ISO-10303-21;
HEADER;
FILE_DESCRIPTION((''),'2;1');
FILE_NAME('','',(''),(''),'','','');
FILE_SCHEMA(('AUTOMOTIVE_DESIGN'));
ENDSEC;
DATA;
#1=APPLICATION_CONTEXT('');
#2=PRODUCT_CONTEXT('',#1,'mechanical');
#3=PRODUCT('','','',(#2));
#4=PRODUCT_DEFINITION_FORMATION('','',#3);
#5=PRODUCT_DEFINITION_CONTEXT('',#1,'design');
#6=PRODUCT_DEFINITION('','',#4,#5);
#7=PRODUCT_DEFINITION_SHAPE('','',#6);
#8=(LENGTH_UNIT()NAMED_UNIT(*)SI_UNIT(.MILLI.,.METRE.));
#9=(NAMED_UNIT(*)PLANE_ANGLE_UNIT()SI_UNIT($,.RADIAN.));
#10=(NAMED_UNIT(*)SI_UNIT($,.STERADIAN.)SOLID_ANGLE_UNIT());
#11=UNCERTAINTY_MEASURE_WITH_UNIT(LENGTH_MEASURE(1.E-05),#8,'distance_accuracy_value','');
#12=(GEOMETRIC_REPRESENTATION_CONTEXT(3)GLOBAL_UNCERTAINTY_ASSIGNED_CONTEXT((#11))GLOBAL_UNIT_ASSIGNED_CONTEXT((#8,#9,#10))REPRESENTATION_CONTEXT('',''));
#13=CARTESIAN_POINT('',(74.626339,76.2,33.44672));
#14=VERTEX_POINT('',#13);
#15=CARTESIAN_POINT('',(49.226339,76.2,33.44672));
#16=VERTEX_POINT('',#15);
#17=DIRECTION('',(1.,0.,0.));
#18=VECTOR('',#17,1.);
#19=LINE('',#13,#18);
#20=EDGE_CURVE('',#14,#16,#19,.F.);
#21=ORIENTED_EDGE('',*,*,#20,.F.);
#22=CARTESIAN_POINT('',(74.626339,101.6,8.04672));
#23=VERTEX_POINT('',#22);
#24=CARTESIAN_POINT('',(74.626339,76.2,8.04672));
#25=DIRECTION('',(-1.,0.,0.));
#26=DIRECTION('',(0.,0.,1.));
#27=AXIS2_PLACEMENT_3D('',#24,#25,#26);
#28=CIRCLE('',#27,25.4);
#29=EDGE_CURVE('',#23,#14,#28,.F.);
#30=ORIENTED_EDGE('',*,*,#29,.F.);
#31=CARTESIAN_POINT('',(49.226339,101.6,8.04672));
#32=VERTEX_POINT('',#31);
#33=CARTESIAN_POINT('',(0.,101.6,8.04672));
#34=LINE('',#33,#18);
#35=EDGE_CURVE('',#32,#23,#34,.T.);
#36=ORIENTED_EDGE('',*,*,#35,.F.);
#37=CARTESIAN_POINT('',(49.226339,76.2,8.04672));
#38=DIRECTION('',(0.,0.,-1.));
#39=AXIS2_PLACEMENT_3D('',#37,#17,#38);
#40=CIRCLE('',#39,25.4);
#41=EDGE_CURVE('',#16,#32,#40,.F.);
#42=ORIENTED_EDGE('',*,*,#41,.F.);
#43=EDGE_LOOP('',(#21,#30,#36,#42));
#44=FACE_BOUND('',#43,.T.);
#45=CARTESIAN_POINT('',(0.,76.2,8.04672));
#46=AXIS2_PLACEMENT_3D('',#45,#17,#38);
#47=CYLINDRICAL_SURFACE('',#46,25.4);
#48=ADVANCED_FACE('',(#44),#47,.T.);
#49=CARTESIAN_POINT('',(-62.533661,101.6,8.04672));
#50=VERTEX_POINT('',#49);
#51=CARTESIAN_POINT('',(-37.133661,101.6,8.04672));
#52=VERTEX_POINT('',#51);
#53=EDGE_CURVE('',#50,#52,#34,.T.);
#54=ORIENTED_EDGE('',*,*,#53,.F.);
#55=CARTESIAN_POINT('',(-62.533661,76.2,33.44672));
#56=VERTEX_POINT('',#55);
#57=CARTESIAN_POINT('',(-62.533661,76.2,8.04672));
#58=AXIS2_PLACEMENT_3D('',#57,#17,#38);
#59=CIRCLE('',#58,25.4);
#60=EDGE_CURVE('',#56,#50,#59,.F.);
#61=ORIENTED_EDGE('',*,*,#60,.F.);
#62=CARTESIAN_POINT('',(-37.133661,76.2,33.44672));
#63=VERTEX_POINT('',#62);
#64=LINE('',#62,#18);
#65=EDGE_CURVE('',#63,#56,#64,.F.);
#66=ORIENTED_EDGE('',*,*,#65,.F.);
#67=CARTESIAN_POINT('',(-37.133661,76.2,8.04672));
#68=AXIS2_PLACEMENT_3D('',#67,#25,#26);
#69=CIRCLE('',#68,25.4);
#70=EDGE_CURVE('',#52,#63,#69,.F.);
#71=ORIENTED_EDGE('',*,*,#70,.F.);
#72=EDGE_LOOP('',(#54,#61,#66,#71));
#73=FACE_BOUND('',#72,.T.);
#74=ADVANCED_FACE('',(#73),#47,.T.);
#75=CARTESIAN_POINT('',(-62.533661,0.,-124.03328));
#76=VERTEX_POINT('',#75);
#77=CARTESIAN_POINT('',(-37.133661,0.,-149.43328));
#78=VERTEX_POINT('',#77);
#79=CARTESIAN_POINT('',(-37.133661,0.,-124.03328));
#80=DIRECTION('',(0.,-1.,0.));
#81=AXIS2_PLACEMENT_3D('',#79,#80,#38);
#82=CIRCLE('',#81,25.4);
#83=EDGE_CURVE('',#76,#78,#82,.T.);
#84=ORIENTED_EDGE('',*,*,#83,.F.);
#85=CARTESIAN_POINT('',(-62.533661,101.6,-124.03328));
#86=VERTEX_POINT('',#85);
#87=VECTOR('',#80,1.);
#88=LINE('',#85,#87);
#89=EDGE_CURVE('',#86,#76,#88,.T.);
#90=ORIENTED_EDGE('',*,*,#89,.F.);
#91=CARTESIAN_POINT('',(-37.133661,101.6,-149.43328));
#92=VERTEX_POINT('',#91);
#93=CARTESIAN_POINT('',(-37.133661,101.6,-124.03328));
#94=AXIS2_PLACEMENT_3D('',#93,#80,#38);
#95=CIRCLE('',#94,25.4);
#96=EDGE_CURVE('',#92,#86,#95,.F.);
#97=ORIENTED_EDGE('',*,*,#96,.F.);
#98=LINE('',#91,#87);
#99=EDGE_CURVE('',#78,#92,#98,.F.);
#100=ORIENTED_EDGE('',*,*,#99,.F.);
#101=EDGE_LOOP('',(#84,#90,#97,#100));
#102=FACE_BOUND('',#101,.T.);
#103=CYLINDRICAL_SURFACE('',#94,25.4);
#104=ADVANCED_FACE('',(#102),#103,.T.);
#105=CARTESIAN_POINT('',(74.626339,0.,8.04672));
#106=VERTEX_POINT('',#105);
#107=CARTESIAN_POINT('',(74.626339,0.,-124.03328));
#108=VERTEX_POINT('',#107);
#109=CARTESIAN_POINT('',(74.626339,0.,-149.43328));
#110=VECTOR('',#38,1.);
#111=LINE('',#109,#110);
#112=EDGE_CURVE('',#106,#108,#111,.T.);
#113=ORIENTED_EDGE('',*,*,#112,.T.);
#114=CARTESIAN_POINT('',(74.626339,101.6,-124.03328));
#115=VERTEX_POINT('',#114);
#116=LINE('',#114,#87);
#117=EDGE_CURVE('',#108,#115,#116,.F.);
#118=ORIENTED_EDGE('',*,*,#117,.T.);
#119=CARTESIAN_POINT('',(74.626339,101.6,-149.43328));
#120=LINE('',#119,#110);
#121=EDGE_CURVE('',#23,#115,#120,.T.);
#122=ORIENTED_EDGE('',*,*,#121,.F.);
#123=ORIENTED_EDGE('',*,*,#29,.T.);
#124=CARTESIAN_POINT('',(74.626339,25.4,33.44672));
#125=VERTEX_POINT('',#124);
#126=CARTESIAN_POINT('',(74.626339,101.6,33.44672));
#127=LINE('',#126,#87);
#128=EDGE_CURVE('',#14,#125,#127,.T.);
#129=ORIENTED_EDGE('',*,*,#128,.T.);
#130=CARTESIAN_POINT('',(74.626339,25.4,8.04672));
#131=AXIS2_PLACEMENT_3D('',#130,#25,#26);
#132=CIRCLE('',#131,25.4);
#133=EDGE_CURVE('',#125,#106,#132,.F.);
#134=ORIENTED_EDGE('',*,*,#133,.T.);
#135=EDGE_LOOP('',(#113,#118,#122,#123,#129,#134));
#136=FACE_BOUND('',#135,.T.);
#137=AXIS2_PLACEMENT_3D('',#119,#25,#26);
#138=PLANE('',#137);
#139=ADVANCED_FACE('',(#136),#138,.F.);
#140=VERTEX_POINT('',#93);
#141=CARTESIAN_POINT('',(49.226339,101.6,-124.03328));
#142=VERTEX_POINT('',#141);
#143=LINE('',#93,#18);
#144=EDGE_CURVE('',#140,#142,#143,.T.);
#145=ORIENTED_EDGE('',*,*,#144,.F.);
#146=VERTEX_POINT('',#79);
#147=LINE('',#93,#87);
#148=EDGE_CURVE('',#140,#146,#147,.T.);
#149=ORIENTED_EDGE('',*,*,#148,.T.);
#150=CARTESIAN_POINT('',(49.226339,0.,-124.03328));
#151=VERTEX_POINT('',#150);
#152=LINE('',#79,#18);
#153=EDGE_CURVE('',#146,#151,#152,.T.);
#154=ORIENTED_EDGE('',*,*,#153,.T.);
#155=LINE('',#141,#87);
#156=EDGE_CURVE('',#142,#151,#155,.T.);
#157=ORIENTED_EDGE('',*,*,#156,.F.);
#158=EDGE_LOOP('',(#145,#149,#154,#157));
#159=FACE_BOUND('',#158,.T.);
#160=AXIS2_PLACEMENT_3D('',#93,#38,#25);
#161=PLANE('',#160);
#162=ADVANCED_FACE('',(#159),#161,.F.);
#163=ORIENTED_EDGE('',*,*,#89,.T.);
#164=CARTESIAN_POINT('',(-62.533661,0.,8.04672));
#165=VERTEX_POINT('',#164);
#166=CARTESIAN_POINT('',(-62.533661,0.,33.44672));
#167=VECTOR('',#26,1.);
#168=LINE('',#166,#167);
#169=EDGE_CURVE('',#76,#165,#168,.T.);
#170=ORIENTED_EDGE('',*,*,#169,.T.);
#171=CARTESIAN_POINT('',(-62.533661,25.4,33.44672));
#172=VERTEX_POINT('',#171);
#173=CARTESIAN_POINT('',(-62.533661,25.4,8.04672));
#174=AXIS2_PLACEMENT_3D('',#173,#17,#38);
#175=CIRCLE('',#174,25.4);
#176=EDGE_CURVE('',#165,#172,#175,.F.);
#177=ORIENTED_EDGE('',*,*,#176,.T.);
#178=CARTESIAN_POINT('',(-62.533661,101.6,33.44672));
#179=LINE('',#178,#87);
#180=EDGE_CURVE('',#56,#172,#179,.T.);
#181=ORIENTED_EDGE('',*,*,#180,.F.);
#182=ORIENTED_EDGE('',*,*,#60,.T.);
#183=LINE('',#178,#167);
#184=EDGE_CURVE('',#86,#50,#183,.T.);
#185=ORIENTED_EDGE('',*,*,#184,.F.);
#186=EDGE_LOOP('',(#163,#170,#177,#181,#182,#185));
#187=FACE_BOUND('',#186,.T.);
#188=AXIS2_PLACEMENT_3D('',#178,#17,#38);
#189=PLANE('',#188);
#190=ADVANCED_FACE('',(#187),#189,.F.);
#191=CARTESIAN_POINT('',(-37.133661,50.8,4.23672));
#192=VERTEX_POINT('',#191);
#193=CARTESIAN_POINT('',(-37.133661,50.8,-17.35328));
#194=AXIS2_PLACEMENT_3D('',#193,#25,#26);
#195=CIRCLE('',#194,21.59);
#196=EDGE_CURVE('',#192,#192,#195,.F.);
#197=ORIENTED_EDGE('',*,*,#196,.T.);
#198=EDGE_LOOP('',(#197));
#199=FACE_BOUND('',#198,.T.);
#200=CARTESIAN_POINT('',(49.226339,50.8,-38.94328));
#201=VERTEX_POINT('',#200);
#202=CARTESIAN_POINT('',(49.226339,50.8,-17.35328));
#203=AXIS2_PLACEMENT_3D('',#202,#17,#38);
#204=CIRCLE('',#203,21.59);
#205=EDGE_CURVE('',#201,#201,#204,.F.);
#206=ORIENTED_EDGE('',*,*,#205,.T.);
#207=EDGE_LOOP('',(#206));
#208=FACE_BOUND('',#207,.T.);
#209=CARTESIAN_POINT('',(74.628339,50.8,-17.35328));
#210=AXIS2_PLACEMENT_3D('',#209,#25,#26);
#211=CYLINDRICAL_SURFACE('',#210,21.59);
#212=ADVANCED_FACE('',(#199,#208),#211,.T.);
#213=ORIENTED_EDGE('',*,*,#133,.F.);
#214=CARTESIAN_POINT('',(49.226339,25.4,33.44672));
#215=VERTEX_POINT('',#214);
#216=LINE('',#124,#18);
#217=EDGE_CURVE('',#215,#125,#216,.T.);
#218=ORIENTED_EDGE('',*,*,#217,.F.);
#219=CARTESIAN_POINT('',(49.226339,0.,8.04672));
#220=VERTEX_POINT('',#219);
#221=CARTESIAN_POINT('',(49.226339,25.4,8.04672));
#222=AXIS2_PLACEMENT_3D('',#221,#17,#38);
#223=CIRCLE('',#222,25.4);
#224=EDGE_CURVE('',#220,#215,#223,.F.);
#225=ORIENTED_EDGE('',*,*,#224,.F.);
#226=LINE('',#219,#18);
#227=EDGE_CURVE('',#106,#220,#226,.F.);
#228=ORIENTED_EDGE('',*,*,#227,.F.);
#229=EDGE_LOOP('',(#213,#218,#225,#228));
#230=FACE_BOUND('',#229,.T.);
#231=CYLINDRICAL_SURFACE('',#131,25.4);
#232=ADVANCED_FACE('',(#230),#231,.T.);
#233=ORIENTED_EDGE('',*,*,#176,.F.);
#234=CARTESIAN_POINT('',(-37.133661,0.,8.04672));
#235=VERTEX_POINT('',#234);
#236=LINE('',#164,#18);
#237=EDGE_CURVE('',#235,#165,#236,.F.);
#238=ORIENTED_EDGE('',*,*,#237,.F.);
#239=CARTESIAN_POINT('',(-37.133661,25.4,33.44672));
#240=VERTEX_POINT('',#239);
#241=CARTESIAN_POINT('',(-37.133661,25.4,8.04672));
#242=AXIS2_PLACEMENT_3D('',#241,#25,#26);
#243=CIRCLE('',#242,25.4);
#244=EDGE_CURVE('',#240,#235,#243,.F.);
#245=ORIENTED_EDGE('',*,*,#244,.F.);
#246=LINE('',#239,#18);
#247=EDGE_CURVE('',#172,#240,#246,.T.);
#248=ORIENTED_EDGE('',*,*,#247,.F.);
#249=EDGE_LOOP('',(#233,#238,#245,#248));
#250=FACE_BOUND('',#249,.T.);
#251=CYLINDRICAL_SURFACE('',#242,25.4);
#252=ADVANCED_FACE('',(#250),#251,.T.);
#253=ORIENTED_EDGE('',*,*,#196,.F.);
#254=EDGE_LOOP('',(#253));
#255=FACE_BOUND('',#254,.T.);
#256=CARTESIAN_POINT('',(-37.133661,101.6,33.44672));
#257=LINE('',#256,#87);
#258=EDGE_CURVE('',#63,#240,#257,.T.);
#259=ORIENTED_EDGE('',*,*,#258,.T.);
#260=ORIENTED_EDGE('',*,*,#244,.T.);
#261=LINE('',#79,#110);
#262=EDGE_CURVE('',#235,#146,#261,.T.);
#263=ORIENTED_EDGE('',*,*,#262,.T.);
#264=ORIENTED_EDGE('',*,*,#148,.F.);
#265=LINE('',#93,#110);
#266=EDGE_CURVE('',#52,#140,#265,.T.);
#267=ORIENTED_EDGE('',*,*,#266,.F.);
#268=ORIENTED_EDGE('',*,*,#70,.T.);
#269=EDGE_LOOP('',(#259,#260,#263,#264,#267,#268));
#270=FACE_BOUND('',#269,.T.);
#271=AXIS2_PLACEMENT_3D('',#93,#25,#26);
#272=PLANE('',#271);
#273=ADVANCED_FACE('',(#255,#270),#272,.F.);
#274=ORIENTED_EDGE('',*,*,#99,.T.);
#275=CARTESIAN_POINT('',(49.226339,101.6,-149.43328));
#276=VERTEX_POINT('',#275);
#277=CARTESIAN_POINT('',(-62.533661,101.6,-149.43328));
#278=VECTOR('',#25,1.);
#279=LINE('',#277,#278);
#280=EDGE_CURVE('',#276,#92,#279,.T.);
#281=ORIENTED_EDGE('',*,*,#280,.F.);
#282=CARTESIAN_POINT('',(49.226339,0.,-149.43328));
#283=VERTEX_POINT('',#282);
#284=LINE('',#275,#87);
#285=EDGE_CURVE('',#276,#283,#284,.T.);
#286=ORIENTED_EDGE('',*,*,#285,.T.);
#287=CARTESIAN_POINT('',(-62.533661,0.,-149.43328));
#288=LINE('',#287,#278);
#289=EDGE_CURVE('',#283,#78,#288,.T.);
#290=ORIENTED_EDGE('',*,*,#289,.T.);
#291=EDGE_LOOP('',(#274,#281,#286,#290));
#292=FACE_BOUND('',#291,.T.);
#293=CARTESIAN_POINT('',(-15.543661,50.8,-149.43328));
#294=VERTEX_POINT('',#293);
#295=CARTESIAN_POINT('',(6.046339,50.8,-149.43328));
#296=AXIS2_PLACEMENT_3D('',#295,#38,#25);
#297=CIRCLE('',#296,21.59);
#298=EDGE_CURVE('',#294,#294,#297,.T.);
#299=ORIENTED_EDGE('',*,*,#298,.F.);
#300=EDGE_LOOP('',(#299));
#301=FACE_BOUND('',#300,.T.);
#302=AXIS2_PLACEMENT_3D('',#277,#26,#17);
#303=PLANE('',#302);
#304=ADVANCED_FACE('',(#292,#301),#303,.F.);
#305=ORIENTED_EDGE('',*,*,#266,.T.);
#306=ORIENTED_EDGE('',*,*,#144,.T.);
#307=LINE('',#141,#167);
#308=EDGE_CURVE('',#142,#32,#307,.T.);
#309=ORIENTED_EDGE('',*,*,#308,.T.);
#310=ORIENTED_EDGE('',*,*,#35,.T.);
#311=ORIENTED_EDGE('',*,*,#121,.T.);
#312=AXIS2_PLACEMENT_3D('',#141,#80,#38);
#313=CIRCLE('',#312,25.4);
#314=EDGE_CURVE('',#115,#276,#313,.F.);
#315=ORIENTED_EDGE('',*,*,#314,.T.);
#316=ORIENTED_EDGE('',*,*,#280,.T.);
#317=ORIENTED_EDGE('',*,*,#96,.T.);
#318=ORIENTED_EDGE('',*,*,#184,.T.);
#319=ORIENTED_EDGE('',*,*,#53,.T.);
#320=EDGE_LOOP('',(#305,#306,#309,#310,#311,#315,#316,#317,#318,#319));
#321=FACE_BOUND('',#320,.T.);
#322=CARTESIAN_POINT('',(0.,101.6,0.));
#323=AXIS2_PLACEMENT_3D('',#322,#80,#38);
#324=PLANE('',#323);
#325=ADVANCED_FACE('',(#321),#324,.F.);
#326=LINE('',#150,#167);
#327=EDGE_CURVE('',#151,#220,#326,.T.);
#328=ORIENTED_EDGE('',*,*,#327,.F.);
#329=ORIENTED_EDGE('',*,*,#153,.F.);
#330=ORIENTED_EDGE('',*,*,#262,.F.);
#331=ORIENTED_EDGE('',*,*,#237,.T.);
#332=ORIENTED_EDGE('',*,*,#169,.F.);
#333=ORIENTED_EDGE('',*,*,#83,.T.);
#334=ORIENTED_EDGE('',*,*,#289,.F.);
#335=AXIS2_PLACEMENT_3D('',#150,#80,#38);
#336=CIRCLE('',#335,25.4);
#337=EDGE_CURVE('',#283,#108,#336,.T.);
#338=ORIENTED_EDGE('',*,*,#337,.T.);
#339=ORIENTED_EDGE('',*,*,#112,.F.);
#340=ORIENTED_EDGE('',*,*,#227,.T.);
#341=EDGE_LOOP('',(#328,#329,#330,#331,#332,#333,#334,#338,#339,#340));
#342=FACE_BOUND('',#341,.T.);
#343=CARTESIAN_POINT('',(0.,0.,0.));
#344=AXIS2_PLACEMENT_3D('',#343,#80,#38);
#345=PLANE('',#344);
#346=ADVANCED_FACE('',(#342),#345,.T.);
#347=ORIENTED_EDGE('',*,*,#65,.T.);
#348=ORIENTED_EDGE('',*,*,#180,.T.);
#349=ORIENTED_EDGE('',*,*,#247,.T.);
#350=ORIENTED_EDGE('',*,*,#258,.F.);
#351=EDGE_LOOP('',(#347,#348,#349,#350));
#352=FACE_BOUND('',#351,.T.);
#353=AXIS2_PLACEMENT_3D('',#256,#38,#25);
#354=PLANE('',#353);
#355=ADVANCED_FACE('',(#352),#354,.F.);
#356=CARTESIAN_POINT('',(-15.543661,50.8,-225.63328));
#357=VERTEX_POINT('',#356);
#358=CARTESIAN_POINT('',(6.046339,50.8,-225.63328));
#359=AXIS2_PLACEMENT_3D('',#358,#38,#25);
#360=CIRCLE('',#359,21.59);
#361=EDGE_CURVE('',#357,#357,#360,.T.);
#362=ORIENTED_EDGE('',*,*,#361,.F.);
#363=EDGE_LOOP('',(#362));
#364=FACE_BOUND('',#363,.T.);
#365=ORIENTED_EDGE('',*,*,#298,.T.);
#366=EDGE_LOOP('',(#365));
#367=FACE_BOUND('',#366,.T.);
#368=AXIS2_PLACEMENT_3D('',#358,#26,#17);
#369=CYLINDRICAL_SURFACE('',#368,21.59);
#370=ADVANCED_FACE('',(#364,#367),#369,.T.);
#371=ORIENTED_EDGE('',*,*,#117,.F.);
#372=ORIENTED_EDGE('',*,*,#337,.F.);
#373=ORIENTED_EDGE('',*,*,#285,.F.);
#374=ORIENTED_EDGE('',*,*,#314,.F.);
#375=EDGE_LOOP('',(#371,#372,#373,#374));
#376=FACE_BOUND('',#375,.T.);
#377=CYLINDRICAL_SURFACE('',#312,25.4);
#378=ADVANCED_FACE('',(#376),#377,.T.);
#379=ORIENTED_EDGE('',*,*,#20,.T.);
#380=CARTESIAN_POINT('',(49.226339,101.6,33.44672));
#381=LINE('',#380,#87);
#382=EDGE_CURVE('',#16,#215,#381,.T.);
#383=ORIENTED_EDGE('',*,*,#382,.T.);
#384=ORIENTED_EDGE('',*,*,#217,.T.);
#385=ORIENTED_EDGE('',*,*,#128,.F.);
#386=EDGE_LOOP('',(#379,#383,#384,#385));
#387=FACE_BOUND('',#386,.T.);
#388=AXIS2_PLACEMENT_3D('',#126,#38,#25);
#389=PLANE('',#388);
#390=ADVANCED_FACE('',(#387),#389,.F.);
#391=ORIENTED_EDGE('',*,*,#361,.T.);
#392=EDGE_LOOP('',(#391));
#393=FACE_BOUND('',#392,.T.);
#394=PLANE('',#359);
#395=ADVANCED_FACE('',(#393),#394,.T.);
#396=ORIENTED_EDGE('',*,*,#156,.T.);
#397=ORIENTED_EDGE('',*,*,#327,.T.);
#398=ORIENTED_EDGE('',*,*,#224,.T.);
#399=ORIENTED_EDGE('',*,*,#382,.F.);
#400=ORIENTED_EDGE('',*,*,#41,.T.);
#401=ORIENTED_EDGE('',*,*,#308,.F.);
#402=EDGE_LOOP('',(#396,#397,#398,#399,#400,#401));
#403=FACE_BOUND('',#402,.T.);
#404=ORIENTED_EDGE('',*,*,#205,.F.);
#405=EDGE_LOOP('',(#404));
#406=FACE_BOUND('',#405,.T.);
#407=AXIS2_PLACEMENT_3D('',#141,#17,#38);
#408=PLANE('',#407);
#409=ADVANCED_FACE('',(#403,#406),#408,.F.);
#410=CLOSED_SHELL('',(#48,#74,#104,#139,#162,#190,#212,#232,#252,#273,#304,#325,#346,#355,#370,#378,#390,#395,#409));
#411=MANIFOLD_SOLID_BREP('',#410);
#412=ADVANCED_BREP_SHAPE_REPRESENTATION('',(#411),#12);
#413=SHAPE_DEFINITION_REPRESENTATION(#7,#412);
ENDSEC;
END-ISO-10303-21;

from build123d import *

# Parameters (mm, degrees)
BOSS_EXTRUDE1_DEPTH = 101.6
BOSS_EXTRUDE2_REACH = 113.76
SKETCH3_R           = 21.59
SKETCH4_R           = 21.59
BOSS_EXTRUDE3_DEPTH = 76.2
FILLET1_R           = 25.4
FILLET2_R           = 25.4
FILLET4_R           = 25.4
FILLET5_R           = 25.4


with BuildPart() as part:
    # Sketch1 → Boss-Extrude1 (new body)
    with BuildSketch(Plane(origin=(0, 0, 0), x_dir=(1, 0, 0), z_dir=(0, 1, 0))):
        Polygon((-37.133661193, -33.44672), (-62.533661193, -33.44672), (-62.533661193, 149.43328), (74.626338807, 149.43328), (74.626338807, -33.44672), (49.226338807, -33.44672), (49.226338807, 124.03328), (-37.133661193, 124.03328), align=None)
    extrude(amount=BOSS_EXTRUDE1_DEPTH)

    # Sketch3 → Boss-Extrude2 (add, up to next)
    with BuildSketch(Plane(origin=(-37.133661193, 0, 0), x_dir=(0, 0, -1), z_dir=(1, 0, 0)), mode=Mode.PRIVATE) as boss_extrude2_sk1:
        with Locations((17.35328, 50.8)):
            Circle(SKETCH3_R)
    boss_extrude2_tool1 = extrude(boss_extrude2_sk1.sketch, amount=BOSS_EXTRUDE2_REACH, mode=Mode.PRIVATE) - part.part
    add(boss_extrude2_tool1.solids().sort_by_distance((-37.133661, 50.8, -17.35328))[0])

    # Sketch4 → Boss-Extrude3 (add)
    with BuildSketch(Plane(origin=(0, 0, -149.43328), x_dir=(-1, 0, 0), z_dir=(0, 0, -1))):
        with Locations((-6.046338807, 50.8)):
            Circle(SKETCH4_R)
    extrude(amount=BOSS_EXTRUDE3_DEPTH)

    # Fillet1
    fillet1_edges = [part.edges().sort_by_distance(p)[0] for p in [
        (-49.833661193, 101.6, 33.44672),
        (-49.833661193, 0, 33.44672),
    ]]
    fillet(fillet1_edges, radius=FILLET1_R)

    # Fillet2
    fillet2_edges = [part.edges().sort_by_distance(p)[0] for p in [
        (-62.533661193, 50.8, -149.43328),
    ]]
    fillet(fillet2_edges, radius=FILLET2_R)

    # Fillet4
    fillet4_edges = [part.edges().sort_by_distance(p)[0] for p in [
        (61.926338807, 0, 33.44672),
        (61.926338807, 101.6, 33.44672),
    ]]
    fillet(fillet4_edges, radius=FILLET4_R)

    # Fillet5
    fillet5_edges = [part.edges().sort_by_distance(p)[0] for p in [
        (74.626338807, 50.8, -149.43328),
    ]]
    fillet(fillet5_edges, radius=FILLET5_R)


solid = part.part
